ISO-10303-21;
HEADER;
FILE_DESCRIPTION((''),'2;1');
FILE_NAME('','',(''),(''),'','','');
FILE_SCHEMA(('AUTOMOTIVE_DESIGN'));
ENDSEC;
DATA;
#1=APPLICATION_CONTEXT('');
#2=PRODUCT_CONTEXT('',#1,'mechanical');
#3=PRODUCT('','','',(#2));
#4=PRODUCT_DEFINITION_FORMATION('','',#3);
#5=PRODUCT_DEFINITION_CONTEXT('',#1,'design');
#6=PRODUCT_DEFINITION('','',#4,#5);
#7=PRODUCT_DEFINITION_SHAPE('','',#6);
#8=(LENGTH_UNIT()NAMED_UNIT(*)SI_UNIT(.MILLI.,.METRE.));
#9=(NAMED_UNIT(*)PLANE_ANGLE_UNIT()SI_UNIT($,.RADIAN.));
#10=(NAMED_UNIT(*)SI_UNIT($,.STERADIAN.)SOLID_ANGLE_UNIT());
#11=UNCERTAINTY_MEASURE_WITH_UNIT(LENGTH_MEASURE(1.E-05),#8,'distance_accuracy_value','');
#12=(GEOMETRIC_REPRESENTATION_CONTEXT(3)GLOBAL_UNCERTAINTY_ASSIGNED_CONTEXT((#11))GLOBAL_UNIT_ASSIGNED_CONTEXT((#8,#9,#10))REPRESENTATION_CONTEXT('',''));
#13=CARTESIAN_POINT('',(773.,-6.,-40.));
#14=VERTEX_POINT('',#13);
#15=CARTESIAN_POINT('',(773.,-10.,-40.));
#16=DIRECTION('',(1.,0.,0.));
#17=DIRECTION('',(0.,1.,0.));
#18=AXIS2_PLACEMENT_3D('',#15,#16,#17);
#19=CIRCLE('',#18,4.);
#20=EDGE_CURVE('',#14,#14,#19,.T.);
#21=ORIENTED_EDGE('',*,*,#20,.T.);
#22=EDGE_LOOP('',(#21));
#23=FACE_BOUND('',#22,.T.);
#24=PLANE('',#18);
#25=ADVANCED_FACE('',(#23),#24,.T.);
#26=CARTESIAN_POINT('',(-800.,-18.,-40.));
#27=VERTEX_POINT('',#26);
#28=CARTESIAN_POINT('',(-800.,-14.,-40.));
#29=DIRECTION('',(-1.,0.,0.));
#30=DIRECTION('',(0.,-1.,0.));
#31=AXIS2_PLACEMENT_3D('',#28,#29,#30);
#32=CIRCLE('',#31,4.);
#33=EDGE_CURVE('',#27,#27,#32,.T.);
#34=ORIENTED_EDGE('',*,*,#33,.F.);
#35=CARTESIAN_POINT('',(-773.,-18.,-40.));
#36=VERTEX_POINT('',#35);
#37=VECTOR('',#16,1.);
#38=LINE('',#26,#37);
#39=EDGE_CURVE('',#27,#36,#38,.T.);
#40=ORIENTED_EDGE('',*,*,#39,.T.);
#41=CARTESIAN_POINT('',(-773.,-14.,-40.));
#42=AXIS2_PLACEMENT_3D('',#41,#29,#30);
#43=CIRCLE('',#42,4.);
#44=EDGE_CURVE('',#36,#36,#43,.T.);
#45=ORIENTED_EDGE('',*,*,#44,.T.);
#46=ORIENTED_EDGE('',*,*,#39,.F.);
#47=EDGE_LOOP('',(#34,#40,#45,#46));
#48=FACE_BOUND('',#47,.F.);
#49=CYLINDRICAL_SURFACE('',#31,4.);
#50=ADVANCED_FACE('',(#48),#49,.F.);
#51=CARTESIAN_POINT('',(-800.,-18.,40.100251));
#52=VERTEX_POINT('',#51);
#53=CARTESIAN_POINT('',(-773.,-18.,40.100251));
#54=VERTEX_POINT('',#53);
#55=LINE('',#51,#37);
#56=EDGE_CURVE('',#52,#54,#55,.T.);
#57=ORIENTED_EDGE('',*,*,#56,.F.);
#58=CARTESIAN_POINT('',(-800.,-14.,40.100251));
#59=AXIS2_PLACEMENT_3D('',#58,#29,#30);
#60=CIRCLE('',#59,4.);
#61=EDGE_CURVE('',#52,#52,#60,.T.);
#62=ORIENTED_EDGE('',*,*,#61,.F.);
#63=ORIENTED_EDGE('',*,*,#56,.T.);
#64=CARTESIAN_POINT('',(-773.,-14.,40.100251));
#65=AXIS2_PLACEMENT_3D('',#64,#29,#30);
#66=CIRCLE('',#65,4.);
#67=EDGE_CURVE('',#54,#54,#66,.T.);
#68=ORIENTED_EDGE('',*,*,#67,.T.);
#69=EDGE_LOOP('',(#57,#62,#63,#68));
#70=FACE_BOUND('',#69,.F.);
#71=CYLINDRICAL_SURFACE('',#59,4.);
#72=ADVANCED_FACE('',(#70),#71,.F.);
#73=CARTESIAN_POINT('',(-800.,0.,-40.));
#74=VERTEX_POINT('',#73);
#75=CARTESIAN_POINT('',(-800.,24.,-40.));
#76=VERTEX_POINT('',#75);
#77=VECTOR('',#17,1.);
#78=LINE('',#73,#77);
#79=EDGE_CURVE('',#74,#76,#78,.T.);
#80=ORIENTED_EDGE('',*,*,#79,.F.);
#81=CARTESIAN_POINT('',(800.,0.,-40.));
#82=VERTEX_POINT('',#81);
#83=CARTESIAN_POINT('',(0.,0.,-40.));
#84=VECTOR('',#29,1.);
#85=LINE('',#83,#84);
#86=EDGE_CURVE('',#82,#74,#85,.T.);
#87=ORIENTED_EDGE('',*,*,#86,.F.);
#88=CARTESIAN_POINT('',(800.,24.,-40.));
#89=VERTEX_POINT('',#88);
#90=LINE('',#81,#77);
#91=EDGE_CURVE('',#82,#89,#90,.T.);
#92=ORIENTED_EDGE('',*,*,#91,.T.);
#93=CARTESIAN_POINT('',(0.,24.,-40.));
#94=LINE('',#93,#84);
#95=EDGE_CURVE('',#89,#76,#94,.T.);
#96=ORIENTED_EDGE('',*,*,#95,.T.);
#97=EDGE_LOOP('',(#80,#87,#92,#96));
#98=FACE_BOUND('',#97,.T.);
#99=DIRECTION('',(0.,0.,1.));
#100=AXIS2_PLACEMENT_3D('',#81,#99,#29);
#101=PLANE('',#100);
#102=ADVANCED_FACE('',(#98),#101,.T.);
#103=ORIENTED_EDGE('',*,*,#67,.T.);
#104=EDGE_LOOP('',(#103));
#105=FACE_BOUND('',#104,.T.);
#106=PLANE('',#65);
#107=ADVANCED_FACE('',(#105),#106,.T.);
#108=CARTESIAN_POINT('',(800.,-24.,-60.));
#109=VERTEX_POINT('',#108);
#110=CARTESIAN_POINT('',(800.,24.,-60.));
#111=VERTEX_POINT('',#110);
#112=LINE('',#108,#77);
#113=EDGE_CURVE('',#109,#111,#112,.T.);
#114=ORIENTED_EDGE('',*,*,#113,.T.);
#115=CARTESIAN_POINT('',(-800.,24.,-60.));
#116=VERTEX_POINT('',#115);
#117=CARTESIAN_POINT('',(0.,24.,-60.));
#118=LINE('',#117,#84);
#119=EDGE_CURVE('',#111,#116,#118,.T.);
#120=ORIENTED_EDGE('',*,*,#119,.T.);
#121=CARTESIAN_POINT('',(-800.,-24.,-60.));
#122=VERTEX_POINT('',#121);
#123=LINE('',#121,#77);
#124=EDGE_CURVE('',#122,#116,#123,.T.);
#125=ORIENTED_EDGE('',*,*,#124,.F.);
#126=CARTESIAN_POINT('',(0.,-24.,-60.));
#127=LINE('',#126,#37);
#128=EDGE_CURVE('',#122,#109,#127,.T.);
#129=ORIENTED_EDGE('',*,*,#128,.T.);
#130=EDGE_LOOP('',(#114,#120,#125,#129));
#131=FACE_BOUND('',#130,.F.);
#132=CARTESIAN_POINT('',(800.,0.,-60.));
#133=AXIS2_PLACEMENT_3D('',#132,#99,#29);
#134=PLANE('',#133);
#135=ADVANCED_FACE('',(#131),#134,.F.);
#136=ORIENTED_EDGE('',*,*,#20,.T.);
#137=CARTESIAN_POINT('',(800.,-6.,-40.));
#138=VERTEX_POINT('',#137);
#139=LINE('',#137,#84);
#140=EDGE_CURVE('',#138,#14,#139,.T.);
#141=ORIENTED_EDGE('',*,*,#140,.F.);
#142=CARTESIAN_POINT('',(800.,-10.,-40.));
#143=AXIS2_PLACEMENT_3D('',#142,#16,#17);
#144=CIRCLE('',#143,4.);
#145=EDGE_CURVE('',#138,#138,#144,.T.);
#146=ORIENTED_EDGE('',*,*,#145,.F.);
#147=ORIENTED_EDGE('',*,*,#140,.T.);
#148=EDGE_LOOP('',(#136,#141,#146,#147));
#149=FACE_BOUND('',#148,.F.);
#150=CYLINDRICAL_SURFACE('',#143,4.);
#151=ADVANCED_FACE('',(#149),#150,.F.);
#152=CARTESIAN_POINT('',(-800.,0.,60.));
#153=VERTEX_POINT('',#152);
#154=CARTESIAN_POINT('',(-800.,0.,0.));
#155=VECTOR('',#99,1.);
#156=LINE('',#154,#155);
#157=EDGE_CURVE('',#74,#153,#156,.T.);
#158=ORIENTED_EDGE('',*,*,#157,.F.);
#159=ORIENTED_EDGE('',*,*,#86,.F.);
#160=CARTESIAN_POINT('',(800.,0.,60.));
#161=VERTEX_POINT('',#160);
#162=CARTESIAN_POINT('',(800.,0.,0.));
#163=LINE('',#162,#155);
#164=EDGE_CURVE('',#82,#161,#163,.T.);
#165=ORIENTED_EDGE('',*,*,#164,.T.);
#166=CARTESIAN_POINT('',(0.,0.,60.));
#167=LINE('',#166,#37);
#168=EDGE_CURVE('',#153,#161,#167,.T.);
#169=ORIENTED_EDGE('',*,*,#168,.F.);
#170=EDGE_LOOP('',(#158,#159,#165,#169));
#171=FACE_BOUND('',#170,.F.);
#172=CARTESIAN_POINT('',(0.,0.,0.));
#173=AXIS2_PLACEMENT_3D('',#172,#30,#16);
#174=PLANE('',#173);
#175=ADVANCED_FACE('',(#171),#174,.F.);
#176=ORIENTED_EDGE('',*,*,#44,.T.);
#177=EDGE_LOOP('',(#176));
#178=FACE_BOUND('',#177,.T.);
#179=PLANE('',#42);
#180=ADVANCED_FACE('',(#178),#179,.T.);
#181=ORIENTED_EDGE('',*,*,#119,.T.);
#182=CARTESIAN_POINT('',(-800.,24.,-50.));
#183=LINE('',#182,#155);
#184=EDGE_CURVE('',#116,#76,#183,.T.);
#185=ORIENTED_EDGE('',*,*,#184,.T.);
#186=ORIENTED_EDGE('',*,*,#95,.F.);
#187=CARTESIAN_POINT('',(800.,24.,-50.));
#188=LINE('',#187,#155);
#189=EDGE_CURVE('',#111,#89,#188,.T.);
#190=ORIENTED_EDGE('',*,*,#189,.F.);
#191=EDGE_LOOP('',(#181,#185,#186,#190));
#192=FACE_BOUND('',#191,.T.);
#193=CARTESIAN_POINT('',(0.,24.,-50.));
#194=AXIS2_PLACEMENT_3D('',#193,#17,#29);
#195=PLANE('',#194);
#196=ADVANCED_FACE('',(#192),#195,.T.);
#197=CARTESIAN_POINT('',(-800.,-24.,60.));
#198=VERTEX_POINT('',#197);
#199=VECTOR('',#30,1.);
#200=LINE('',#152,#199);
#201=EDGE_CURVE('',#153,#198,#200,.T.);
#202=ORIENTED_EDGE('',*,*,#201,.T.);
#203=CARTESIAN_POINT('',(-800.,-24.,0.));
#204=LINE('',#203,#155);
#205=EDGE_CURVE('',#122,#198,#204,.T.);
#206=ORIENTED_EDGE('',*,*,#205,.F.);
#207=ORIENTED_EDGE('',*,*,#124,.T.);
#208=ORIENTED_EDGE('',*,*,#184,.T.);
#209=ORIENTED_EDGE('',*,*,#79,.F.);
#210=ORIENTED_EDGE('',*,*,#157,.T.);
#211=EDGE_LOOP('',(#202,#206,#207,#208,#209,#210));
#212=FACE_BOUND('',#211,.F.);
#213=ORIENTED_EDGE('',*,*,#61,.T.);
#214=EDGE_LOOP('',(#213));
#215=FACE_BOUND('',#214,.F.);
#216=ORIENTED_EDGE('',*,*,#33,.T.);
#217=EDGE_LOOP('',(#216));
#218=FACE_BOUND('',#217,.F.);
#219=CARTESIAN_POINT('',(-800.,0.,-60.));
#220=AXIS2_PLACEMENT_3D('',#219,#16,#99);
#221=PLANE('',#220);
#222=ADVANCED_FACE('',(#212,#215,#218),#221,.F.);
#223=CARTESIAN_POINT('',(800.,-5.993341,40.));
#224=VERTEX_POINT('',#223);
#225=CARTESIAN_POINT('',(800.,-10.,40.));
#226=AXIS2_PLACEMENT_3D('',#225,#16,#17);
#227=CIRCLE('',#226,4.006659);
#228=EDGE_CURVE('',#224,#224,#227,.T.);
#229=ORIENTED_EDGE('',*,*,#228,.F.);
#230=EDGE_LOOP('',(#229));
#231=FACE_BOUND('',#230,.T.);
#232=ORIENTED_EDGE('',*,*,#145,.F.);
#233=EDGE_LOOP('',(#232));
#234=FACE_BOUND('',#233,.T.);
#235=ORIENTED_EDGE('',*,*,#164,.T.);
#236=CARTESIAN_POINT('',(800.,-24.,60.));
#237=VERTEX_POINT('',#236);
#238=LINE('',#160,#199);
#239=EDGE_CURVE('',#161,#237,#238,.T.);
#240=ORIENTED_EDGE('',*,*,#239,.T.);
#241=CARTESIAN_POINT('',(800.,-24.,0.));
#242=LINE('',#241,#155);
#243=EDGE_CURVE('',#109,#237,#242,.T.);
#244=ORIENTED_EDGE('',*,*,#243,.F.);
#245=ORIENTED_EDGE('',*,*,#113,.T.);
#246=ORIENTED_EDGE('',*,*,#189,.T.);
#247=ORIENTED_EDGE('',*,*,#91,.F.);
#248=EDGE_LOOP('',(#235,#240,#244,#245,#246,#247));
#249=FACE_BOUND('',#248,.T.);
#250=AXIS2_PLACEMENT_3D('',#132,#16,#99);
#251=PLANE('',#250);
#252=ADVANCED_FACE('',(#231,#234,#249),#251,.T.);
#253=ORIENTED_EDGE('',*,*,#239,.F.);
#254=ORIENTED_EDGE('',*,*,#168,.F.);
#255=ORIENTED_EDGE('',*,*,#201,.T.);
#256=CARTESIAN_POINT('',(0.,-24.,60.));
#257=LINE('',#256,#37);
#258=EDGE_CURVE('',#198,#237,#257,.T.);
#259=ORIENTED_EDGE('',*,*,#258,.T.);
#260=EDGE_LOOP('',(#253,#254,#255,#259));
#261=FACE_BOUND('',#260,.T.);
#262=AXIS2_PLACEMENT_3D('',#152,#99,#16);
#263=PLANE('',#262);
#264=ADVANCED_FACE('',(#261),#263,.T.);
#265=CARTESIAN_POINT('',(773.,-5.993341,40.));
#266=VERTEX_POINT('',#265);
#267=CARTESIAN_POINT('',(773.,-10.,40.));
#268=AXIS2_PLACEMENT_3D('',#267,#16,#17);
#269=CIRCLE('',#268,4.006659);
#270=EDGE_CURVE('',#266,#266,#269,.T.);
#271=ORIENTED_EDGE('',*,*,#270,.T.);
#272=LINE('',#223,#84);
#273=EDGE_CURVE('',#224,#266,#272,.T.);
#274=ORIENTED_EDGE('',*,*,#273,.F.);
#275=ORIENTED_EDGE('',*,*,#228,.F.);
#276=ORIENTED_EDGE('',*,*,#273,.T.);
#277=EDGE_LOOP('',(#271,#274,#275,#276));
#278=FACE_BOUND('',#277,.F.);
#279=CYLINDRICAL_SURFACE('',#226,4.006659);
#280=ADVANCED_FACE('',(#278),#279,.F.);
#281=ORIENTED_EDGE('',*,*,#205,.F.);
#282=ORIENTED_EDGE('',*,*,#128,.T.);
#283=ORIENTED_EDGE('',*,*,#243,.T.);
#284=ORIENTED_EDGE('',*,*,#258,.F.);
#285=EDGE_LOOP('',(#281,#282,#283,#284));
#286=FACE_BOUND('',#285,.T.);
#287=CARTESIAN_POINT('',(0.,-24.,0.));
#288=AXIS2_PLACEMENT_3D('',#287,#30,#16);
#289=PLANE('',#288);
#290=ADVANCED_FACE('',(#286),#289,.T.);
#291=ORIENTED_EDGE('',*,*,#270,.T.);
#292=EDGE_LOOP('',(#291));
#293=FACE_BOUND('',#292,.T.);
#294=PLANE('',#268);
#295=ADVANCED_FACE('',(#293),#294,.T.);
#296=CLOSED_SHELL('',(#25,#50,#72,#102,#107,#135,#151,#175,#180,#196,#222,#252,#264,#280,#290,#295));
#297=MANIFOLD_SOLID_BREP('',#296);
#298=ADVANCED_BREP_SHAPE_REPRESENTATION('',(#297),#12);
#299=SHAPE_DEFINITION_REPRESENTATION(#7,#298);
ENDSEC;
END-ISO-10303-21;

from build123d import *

# Parameters (mm, degrees)
F0_W     = 1600
F0_H     = 120
F1_DEPTH = 24
F2_R     = 4.006659
F2_R_2   = 4
F3_DEPTH = 27
F4_R     = 4
F5_DEPTH = 27
F6_W     = 1600
F6_H     = 20
F7_DEPTH = 24


with BuildPart() as f1:
    # F0 (on Front) → F1 (new body)
    with BuildSketch(Plane.XZ):
        Rectangle(F0_W, F0_H)
    extrude(amount=F1_DEPTH)

    # F2 (on face) → F3 (cut)
    with BuildSketch(Plane.YZ.offset(800)):
        with Locations((-10, 40)):
            Circle(F2_R)
        with Locations((-10, -40)):
            Circle(F2_R_2)
    extrude(amount=-F3_DEPTH, mode=Mode.SUBTRACT)

    # F4 (on face) → F5 (cut)
    with BuildSketch(Plane(origin=(-800, 0, 0), x_dir=(0, -1, 0), z_dir=(-1, 0, 0))):
        with Locations((14, 40.100251)):
            Circle(F4_R)
        with Locations((14, -40)):
            Circle(F4_R)
    extrude(amount=-F5_DEPTH, mode=Mode.SUBTRACT)

    # F6 (on face) → F7 (join)
    with BuildSketch(Plane(origin=(0, 0, 0), x_dir=(-1, 0, 0), z_dir=(0, 1, 0))):
        with Locations((0, -50)):
            Rectangle(F6_W, F6_H)
    extrude(amount=F7_DEPTH)


solid = f1.part
